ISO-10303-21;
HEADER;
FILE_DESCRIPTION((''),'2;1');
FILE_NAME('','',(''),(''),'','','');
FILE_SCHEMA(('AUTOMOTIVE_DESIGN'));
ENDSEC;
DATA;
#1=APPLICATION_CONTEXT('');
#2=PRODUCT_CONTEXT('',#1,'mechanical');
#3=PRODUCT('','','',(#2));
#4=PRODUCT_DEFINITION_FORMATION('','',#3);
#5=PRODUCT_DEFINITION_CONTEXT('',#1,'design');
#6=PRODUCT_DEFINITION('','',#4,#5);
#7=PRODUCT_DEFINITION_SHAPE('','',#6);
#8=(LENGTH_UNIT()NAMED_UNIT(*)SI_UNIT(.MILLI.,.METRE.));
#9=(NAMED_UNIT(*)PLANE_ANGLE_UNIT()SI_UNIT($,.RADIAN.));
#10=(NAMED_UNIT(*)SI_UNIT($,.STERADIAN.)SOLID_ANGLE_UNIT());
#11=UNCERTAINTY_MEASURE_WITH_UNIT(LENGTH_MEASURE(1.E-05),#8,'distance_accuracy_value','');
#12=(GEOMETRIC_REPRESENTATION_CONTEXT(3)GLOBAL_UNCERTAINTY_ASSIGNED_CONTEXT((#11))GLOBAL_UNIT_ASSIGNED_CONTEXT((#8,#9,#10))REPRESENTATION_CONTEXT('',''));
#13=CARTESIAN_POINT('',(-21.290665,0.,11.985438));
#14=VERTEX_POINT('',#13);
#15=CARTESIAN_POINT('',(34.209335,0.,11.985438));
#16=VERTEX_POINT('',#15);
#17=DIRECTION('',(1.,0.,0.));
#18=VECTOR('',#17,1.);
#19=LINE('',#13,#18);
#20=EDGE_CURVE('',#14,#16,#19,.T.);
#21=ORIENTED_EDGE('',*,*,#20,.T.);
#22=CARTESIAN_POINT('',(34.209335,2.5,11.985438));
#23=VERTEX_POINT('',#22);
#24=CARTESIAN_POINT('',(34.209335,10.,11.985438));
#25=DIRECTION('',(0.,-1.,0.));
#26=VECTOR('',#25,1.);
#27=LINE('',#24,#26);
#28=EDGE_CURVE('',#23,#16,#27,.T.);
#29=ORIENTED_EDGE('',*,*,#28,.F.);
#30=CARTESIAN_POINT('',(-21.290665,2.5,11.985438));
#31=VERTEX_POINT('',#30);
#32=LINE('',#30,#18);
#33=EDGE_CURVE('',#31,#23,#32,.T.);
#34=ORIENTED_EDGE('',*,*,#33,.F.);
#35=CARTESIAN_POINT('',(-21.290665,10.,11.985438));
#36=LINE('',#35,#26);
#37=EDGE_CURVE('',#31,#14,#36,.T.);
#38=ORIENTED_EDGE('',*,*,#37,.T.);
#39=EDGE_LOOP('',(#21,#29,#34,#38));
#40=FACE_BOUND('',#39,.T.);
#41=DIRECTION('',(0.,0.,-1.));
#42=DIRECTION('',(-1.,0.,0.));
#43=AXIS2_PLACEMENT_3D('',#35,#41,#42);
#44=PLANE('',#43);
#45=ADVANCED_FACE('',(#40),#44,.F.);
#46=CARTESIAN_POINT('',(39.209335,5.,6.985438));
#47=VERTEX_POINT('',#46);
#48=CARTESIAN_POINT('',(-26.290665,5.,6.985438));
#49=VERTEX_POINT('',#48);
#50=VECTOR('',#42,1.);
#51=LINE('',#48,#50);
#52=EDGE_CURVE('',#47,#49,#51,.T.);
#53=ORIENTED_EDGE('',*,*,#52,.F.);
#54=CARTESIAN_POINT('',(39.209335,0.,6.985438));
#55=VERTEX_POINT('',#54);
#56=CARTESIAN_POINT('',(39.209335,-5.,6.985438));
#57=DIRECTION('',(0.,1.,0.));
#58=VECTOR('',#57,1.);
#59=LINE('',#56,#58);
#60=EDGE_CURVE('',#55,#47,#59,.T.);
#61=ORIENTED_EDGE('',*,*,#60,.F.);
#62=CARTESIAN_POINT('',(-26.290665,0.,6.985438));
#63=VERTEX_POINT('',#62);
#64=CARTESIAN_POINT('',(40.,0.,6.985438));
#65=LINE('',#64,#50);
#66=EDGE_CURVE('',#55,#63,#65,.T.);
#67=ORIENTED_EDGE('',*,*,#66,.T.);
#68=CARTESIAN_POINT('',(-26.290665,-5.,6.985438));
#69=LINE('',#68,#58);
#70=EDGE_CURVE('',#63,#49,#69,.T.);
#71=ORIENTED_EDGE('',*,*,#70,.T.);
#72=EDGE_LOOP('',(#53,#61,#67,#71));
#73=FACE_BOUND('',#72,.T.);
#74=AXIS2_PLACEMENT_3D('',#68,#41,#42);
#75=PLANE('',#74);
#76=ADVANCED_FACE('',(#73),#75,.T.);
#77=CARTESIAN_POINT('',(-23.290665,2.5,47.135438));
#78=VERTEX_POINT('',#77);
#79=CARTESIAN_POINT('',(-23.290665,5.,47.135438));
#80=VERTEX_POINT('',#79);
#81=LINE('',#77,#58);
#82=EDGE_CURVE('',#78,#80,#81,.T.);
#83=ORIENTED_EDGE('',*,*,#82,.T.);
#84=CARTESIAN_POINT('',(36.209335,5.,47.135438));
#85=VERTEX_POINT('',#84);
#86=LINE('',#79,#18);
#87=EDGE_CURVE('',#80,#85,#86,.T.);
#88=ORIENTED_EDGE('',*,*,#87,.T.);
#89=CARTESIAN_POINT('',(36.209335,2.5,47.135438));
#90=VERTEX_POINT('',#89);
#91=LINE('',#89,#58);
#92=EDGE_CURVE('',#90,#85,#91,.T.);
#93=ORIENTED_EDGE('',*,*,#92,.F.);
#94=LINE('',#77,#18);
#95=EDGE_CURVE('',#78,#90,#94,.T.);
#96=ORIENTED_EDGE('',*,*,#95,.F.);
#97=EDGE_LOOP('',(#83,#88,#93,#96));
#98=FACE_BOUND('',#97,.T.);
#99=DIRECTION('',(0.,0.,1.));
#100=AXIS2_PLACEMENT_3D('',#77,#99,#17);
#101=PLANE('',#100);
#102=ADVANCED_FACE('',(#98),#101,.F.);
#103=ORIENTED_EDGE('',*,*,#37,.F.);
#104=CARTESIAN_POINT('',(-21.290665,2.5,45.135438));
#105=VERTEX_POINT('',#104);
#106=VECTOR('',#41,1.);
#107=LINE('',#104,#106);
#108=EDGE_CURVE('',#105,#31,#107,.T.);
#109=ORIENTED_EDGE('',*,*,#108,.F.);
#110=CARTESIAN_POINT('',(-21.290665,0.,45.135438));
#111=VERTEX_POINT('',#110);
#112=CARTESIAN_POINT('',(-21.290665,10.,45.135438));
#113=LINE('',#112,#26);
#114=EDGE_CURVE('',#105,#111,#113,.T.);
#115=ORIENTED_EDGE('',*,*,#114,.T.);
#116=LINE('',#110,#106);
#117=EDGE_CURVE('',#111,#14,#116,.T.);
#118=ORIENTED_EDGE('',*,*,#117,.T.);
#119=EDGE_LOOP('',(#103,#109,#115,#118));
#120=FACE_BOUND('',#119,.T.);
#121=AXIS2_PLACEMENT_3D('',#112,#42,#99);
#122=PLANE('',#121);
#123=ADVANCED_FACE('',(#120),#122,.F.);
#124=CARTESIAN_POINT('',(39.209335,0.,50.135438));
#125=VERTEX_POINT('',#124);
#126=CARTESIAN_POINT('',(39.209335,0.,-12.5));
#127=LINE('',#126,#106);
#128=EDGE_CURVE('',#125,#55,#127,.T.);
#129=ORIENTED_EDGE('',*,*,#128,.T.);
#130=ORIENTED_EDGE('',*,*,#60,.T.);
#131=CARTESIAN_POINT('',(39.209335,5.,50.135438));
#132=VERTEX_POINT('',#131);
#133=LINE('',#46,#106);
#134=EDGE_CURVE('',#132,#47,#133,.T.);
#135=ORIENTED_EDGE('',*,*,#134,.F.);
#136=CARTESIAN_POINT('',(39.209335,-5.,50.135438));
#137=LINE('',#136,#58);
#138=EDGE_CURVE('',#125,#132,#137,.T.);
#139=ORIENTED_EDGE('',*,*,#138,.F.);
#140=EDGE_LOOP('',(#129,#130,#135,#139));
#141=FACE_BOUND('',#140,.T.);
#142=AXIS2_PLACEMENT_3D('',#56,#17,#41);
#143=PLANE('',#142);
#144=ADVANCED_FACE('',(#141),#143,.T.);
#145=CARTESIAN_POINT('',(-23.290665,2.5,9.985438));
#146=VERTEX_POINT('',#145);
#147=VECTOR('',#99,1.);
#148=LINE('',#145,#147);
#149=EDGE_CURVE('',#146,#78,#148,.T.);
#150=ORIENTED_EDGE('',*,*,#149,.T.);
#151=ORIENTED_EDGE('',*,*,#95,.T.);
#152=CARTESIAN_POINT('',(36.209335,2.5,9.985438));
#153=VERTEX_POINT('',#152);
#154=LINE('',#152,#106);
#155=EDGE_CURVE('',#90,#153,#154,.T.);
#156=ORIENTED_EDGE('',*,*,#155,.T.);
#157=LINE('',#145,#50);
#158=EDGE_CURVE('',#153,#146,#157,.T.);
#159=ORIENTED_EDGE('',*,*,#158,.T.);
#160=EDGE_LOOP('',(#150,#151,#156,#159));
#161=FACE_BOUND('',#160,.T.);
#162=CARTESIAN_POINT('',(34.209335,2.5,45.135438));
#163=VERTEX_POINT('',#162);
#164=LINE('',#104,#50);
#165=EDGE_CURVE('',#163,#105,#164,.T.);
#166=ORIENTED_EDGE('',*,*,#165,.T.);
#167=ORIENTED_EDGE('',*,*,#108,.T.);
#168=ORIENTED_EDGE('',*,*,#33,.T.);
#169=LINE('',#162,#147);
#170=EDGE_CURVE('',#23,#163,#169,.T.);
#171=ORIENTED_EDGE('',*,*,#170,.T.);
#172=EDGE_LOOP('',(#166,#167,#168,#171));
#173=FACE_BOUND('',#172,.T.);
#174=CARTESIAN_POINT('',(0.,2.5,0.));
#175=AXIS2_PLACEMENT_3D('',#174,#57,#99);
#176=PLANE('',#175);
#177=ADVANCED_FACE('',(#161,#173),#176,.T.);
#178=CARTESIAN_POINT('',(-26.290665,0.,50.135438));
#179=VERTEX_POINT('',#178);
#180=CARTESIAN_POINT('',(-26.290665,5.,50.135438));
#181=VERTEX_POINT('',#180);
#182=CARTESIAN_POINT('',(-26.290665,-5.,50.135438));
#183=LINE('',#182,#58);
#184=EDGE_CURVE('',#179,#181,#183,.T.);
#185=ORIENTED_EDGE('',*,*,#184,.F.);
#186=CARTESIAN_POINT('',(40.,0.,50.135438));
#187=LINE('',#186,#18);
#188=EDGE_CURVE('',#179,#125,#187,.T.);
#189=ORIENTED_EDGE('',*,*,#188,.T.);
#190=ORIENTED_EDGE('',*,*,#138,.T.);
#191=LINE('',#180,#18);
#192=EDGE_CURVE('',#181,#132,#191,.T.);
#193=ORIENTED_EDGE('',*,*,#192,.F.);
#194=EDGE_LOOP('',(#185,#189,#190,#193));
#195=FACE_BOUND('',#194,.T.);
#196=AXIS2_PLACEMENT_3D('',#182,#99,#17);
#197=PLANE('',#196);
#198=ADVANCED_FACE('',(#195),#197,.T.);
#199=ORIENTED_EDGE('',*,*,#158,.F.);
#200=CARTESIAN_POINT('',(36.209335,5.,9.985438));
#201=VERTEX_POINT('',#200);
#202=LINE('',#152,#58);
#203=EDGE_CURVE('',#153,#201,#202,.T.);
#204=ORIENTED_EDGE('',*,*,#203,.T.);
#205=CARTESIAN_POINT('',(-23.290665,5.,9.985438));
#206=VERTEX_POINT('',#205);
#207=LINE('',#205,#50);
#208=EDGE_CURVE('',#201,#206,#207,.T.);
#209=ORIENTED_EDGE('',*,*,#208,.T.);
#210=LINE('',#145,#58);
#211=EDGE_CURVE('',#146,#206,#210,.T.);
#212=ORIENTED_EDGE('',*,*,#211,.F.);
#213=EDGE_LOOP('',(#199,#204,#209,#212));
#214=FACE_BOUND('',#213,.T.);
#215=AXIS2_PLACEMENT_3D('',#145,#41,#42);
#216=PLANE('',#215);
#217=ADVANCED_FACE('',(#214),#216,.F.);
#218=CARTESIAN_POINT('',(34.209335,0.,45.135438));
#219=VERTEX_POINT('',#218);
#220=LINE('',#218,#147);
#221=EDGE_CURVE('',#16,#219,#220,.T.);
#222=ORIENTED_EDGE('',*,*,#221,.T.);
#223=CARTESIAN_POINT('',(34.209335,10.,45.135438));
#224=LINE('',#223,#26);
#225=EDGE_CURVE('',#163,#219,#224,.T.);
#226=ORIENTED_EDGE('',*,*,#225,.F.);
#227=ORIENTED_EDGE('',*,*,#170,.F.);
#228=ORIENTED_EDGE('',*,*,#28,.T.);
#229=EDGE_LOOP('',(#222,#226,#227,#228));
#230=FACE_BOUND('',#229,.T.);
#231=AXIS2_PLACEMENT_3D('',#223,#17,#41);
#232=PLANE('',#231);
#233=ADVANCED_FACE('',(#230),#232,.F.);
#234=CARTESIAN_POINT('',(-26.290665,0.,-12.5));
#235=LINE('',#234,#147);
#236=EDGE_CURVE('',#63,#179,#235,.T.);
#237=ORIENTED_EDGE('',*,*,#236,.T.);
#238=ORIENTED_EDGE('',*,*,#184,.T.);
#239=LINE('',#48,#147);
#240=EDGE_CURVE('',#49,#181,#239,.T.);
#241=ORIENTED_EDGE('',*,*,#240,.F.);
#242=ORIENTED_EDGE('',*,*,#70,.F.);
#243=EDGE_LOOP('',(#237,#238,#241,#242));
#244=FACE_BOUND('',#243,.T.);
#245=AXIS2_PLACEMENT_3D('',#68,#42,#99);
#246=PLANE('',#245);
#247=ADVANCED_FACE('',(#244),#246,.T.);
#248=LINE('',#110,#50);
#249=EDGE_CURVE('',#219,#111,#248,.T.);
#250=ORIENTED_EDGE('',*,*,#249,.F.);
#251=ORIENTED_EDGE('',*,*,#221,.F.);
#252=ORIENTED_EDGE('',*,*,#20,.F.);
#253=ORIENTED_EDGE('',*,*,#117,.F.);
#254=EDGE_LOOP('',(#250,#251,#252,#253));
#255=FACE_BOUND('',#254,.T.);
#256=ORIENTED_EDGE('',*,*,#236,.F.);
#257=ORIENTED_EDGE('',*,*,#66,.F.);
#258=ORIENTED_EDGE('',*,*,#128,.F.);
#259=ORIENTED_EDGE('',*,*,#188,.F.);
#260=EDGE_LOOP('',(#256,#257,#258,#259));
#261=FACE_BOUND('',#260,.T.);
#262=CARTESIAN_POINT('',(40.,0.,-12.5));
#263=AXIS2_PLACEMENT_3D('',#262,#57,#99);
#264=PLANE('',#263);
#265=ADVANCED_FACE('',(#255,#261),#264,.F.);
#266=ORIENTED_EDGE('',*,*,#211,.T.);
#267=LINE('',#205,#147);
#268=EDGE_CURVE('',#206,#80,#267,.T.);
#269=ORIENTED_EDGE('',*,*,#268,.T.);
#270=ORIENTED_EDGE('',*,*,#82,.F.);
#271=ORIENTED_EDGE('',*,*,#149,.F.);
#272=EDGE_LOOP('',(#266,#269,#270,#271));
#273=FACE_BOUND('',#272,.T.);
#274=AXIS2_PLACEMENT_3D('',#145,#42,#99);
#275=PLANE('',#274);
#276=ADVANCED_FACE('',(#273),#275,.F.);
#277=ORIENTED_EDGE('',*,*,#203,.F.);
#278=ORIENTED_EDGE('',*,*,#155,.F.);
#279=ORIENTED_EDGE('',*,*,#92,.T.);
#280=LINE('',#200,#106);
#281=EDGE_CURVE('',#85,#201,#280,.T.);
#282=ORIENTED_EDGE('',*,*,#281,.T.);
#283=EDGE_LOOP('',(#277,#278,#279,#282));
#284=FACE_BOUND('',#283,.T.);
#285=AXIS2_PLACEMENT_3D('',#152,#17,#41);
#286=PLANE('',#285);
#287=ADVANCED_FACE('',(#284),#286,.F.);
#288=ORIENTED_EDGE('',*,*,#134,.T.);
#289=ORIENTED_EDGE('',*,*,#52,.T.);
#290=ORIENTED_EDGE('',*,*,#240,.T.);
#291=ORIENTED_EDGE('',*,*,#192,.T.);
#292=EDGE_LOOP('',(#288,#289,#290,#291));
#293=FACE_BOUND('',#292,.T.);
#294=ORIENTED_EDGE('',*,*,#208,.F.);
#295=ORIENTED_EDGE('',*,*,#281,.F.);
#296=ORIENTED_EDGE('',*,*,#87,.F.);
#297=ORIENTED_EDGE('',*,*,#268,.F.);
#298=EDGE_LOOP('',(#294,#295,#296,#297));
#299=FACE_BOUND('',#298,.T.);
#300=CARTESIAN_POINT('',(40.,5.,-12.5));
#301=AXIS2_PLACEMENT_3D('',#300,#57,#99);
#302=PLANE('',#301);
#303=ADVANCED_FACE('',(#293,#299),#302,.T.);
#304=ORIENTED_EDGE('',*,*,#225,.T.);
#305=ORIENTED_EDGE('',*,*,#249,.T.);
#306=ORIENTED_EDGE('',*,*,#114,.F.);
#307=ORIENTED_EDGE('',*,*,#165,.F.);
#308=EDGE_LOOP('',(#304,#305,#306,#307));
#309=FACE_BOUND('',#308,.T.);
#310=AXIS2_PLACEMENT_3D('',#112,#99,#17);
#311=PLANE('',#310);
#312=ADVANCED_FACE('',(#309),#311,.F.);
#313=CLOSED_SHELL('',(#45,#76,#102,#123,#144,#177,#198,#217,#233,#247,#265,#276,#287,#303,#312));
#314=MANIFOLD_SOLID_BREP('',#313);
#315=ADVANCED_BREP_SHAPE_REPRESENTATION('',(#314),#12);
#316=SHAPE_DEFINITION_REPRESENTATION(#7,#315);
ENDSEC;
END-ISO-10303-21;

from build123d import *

# Parameters (mm, degrees)
BOSS_EXTRUDE1_DEPTH  = 5
SKETCH2_W            = 55.5
SKETCH2_H            = 33.15
CUT_EXTRUDE1_DEPTH   = 10
SKETCH3_W            = 59.5
SKETCH3_H            = 37.15
CUT_EXTRUDE2_DEPTH   = 2.5
SKETCH4_R            = 13.5
CUT_EXTRUDE3_DEPTH   = 2.5
SKETCH8_W            = 89
SKETCH8_H            = 36.5
CUT_EXTRUDE4_DEPTH   = 2.5
BOSS_EXTRUDE4_DEPTH  = 105
SKETCH10_OUTSIDE_W   = 200.486
SKETCH10_OUTSIDE_H   = 145.486
CUT_EXTRUDE5_DEPTH   = 105
SKETCH5_R            = 1.35
SKETCH5_R_2          = 0.95
SKETCH5_R_3          = 1.2
CUT_EXTRUDE6_DEPTH   = 3
SKETCH11_OUTSIDE_W   = 200.486
SKETCH11_OUTSIDE_H   = 145.486
SKETCH11_OUTSIDE_W_2 = 65.5
SKETCH11_OUTSIDE_H_2 = 43.15
CUT_EXTRUDE7_DEPTH   = 10


with BuildPart() as part:
    # Sketch1 → Boss-Extrude1 (new body)
    with BuildSketch(Plane(origin=(0, 0, 0), x_dir=(1, 0, 0), z_dir=(0, 1, 0))):
        with BuildLine():
            Line((40, -52.5), (-40, -52.5))
            ThreePointArc((-40, -52.5), (-68.284271247, -40.784271247), (-80, -12.5))
            Line((-80, -12.5), (-80, 12.5))
            ThreePointArc((-80, 12.5), (-68.284271247, 40.784271247), (-40, 52.5))
            Line((-40, 52.5), (40, 52.5))
            ThreePointArc((40, 52.5), (68.284271247, 40.784271247), (80, 12.5))
            Line((80, 12.5), (80, -12.5))
            ThreePointArc((80, -12.5), (68.284271247, -40.784271247), (40, -52.5))
        make_face()
    extrude(amount=BOSS_EXTRUDE1_DEPTH)

    # Sketch2 → Cut-Extrude1 (cut)
    with BuildSketch(Plane(origin=(0, 0, 0), x_dir=(-1, 0, 0), z_dir=(0, -1, 0))):
        with Locations((-6.459334532, -28.560438218)):
            Rectangle(SKETCH2_W, SKETCH2_H)
    extrude(amount=-CUT_EXTRUDE1_DEPTH, mode=Mode.SUBTRACT)

    # Sketch3 → Cut-Extrude2 (cut)
    with BuildSketch(Plane(origin=(0, 5, 0), x_dir=(1, 0, 0), z_dir=(0, 1, 0))):
        with Locations((6.459334532, -28.560438218)):
            Rectangle(SKETCH3_W, SKETCH3_H)
    extrude(amount=-CUT_EXTRUDE2_DEPTH, mode=Mode.SUBTRACT)

    # Sketch4 → Cut-Extrude3 (cut)
    with BuildSketch(Plane(origin=(0, 5, 0), x_dir=(1, 0, 0), z_dir=(0, 1, 0))):
        with Locations(Location((56.229894871, -16.5, 0), (0, 0, 270))):
            Circle(SKETCH4_R)
        with Locations(Location((-56.229894871, -16.5, 0), (0, 0, 90))):
            Circle(SKETCH4_R)
    extrude(amount=-CUT_EXTRUDE3_DEPTH, mode=Mode.SUBTRACT)

    # Sketch8 → Cut-Extrude4 (cut)
    with BuildSketch(Plane(origin=(0, 5, 0), x_dir=(1, 0, 0), z_dir=(0, 1, 0))):
        with Locations((0.079334532, 25.25)):
            Rectangle(SKETCH8_W, SKETCH8_H)
    extrude(amount=-CUT_EXTRUDE4_DEPTH, mode=Mode.SUBTRACT)

    # Sketch9 → Boss-Extrude4 (add)
    with BuildSketch(Plane.XY.offset(52.5)):
        with BuildLine():
            Line((-80, 0), (-40, 0))
            add(Edge.make_bspline(
                [(-80, 0), (-79.948023713, -3.673692429), (-77.584130198, -11.396455763), (-57.110208015, -20.509844228), (-48.902789398, -1.350898332), (-40, 0)],
                knots=[0, 0, 0, 0, 0.184459574, 0.474643138, 1, 1, 1, 1], degree=3))
        make_face()
        with BuildLine():
            Line((40, 0), (80, 0))
            add(Edge.make_bspline(
                [(80, 0), (79.948023713, -3.673692429), (77.584130198, -11.396455763), (57.110208015, -20.509844228), (48.902789398, -1.350898332), (40, 0)],
                knots=[0, 0, 0, 0, 0.184459574, 0.474643138, 1, 1, 1, 1], degree=3))
        make_face()
    extrude(amount=-BOSS_EXTRUDE4_DEPTH)

    # Sketch10 outside → Cut-Extrude5 (cut)
    with BuildSketch(Plane(origin=(0, 5, 0), x_dir=(1, 0, 0), z_dir=(0, 1, 0))):
        Rectangle(SKETCH10_OUTSIDE_W, SKETCH10_OUTSIDE_H)
        with BuildLine():
            Line((-80, 12.5), (-80, -12.5))
            ThreePointArc((-80, -12.5), (-68.284271247, -40.784271247), (-40, -52.5))
            Line((-40, -52.5), (40, -52.5))
            ThreePointArc((40, -52.5), (68.284271247, -40.784271247), (80, -12.5))
            Line((80, -12.5), (80, 12.5))
            ThreePointArc((80, 12.5), (68.284271247, 40.784271247), (40, 52.5))
            Line((40, 52.5), (-40, 52.5))
            ThreePointArc((-40, 52.5), (-68.284271247, 40.784271247), (-80, 12.5))
        make_face(mode=Mode.SUBTRACT)
    extrude(amount=-CUT_EXTRUDE5_DEPTH, mode=Mode.SUBTRACT)

    # Sketch5 → Cut-Extrude6 (cut)
    with BuildSketch(Plane(origin=(0, 5, 0), x_dir=(1, 0, 0), z_dir=(0, 1, 0))):
        with Locations(Location((66.054894871, -29.425, 0), (0, 0, 270))):
            Circle(SKETCH5_R)
        with Locations(Location((46.404894871, -29.425, 0), (0, 0, 270))):
            Circle(SKETCH5_R)
        with Locations(Location((66.054894871, -3.575, 0), (0, 0, 270))):
            Circle(SKETCH5_R)
        with Locations(Location((46.404894871, -3.575, 0), (0, 0, 270))):
            Circle(SKETCH5_R)
        with Locations(Location((-46.404894871, -29.425, 0), (0, 0, 90))):
            Circle(SKETCH5_R)
        with Locations(Location((-66.054894871, -29.425, 0), (0, 0, 90))):
            Circle(SKETCH5_R)
        with Locations(Location((-66.054894871, -3.575, 0), (0, 0, 90))):
            Circle(SKETCH5_R)
        with Locations(Location((-46.404894871, -3.575, 0), (0, 0, 90))):
            Circle(SKETCH5_R)
        with Locations(Location((46.579334532, 44.5, 0), (0, 0, 270))):
            Circle(SKETCH5_R_2)
        with Locations(Location((46.579334532, 5, 0), (0, 0, 270))):
            Circle(SKETCH5_R_2)
        with Locations(Location((-46.420665468, 5, 0), (0, 0, 270))):
            Circle(SKETCH5_R_2)
        with Locations(Location((-46.420665468, 44.5, 0), (0, 0, 270))):
            Circle(SKETCH5_R_2)
        with Locations(Location((-29.520665468, 0.75, 0), (0, 0, 270))):
            Circle(SKETCH5_R_3)
        with Locations(Location((-29.520665468, -44.95, 0), (0, 0, 270))):
            Circle(SKETCH5_R_3)
        with Locations(Location((36.179334532, 0.75, 0), (0, 0, 270))):
            Circle(SKETCH5_R_3)
    extrude(amount=-CUT_EXTRUDE6_DEPTH, mode=Mode.SUBTRACT)

    # Sketch11 outside → Cut-Extrude7 (cut)
    with BuildSketch(Plane(origin=(0, 5, 0), x_dir=(1, 0, 0), z_dir=(0, 1, 0))):
        Rectangle(SKETCH11_OUTSIDE_W, SKETCH11_OUTSIDE_H)
        with Locations((6.459334532, -28.560438218)):
            Rectangle(SKETCH11_OUTSIDE_W_2, SKETCH11_OUTSIDE_H_2, mode=Mode.SUBTRACT)
    extrude(amount=-CUT_EXTRUDE7_DEPTH, mode=Mode.SUBTRACT)


with BuildPart() as cut_extrude7_kept_piece:
    # of the separate pieces the step leaves, the one the design keeps (cut_extrude7_pieces_kept)
    add(part.part.solids().sort_by_distance((39.209334532, 0, 6.985438218))[0])


solid = cut_extrude7_kept_piece.part
